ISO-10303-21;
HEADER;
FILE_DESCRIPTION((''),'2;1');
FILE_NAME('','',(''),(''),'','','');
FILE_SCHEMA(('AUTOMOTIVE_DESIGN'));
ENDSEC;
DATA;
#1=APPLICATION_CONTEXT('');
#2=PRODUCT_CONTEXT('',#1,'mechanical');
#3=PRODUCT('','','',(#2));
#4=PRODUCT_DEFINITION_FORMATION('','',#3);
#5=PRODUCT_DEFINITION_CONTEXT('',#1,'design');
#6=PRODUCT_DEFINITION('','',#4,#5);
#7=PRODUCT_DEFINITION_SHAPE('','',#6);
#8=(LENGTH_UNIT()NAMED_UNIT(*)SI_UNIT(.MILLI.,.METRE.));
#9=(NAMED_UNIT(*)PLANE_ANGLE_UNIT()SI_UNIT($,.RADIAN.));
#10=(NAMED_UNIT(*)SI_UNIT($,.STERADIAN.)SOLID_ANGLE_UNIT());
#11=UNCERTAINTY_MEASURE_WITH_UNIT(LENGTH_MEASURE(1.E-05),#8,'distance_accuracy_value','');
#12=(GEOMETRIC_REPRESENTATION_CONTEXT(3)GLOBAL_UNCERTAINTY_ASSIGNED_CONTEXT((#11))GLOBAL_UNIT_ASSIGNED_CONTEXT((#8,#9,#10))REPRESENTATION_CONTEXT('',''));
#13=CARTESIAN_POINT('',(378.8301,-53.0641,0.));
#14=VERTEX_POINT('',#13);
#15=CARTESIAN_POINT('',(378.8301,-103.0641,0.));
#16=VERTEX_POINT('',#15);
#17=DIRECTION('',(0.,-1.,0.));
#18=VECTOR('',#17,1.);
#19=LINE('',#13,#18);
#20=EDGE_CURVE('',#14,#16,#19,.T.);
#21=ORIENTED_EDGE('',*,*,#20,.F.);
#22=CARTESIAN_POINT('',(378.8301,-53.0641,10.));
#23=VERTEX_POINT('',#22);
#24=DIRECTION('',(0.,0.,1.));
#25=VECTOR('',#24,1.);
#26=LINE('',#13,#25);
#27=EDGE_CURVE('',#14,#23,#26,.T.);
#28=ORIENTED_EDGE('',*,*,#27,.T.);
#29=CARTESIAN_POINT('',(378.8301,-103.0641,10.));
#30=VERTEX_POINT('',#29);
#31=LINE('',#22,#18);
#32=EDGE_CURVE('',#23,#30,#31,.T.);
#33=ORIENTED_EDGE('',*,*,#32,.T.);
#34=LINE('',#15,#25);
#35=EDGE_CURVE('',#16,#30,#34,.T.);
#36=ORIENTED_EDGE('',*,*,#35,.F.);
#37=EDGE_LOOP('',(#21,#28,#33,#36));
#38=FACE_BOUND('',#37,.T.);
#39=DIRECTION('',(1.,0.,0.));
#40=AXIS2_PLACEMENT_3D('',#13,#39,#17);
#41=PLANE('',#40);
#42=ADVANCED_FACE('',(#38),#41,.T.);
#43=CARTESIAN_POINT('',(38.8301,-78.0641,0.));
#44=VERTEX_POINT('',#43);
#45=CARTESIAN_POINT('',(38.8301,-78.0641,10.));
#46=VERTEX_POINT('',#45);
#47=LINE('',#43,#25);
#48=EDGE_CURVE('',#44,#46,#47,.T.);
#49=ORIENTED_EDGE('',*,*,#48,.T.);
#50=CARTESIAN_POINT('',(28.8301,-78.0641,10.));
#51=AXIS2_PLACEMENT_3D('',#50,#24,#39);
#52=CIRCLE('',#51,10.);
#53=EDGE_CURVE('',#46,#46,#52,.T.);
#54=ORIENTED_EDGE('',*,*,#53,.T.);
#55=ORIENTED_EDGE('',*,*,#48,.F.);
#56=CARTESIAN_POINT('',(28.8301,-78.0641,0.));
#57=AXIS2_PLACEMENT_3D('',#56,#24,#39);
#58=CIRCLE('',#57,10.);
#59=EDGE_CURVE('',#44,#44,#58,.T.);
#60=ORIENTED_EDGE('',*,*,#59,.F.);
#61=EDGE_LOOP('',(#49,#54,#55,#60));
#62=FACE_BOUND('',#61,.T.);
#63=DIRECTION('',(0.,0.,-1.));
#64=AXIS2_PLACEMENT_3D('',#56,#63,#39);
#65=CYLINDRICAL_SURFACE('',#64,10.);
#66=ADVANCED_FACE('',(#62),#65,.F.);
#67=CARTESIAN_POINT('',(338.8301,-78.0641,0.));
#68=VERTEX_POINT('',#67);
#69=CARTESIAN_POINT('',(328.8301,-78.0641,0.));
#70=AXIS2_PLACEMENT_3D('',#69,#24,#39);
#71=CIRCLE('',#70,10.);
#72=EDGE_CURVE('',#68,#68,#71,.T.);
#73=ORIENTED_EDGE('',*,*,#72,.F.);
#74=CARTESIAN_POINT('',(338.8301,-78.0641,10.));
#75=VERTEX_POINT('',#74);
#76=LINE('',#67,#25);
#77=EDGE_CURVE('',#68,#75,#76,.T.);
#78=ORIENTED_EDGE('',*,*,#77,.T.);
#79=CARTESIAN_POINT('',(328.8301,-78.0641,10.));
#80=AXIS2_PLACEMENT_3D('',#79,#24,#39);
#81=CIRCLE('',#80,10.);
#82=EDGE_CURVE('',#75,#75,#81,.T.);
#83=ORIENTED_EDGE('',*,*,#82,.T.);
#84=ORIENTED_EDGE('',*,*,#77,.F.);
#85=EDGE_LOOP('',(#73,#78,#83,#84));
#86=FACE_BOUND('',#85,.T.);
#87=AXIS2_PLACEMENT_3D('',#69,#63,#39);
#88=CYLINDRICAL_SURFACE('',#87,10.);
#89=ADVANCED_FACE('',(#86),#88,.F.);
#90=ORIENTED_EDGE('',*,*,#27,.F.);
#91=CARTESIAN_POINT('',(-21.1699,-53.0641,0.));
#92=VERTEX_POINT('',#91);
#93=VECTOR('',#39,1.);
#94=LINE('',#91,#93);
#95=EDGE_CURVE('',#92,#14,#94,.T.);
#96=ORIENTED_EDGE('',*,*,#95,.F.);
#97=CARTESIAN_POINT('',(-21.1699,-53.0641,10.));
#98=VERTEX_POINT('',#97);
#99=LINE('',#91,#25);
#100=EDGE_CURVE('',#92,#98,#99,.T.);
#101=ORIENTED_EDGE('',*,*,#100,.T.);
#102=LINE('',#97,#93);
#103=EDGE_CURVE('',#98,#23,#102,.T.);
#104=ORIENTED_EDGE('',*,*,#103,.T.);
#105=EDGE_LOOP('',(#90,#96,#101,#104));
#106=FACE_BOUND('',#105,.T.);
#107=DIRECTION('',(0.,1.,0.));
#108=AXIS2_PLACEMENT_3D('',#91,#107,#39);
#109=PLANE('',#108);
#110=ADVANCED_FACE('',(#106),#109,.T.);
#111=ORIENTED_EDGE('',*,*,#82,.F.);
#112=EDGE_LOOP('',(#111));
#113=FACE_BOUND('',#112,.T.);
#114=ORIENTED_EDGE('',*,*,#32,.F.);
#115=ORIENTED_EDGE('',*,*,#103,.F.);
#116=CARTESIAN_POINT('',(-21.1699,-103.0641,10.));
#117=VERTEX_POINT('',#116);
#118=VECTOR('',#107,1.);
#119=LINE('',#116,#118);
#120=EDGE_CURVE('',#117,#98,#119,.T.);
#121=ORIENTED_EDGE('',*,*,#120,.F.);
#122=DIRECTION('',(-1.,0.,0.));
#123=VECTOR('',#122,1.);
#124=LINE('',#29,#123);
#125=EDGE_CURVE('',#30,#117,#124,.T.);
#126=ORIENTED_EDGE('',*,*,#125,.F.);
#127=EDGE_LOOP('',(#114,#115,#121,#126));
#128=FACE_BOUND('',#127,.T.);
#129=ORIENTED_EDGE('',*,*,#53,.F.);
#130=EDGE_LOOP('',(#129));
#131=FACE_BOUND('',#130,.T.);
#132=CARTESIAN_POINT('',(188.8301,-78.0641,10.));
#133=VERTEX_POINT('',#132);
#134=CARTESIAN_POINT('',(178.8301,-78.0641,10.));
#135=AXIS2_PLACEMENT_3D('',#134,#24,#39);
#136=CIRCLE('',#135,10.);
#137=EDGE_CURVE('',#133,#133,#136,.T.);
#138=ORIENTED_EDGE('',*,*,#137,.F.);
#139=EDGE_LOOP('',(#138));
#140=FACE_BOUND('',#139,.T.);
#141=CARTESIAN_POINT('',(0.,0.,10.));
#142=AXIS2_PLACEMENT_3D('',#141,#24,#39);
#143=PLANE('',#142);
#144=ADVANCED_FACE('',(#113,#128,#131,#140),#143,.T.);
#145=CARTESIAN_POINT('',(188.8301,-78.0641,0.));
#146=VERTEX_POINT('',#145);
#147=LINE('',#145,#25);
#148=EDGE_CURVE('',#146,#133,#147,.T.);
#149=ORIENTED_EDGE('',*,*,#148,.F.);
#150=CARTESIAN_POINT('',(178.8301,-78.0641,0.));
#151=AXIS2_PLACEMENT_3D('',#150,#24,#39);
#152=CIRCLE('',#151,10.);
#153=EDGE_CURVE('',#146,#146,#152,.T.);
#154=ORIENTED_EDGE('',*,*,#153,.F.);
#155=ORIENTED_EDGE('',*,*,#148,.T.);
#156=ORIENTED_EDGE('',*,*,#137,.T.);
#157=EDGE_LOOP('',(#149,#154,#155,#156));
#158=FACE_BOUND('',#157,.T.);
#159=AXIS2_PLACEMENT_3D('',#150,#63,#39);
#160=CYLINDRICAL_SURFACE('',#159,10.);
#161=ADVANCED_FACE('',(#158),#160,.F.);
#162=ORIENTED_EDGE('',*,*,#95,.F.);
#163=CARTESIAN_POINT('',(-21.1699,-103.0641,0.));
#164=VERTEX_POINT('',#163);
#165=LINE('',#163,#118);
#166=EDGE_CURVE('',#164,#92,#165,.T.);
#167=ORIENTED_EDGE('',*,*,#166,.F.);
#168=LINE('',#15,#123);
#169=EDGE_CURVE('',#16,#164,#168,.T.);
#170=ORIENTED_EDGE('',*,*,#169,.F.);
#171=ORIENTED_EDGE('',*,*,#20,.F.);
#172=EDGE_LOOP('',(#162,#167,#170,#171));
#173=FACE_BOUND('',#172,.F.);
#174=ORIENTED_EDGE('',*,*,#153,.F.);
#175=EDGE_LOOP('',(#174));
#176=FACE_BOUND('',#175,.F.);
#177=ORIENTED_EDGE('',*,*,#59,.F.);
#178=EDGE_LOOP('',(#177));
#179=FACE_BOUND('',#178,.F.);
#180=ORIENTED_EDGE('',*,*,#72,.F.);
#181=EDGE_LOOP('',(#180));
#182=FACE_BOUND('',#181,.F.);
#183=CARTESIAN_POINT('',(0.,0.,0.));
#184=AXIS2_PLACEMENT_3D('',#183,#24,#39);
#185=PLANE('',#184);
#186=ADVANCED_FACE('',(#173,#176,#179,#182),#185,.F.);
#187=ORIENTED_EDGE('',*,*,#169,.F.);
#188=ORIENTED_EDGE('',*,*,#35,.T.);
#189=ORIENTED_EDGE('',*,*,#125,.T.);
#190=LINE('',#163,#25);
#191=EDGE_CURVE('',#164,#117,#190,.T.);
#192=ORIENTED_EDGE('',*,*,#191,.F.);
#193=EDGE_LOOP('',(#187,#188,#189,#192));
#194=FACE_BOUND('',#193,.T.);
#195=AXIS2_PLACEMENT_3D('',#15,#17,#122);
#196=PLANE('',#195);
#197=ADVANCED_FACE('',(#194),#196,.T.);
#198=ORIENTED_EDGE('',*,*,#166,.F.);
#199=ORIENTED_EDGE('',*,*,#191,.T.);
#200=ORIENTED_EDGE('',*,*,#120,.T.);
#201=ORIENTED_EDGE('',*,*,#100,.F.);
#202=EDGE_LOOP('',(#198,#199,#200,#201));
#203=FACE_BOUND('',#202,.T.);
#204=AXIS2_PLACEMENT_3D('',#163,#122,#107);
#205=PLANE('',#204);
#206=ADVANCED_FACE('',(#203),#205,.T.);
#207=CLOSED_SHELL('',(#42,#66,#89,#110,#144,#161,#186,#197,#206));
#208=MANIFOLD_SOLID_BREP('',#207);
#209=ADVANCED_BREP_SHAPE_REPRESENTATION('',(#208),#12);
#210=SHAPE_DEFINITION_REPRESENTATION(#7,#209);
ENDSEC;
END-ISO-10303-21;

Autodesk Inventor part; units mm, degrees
ref_plane "YZ Plane" through (0, 0, 0) normal (1, 0, 0) x (0, 1, 0)
ref_plane "XZ Plane" through (0, 0, 0) normal (0, 1, 0) x (-1, 0, 0)
ref_plane "XY Plane" through (0, 0, 0) normal (0, 0, 1) x (1, 0, 0)
sketch "Skizze1" plane through (0, 0, 0) normal (0, 0, 1) x (1, 0, 0)
  line L0 (-21.1699, -53.0641) -> (378.8301, -53.0641)
  line L1 (378.8301, -53.0641) -> (378.8301, -103.0641)
  line L2 (378.8301, -103.0641) -> (-21.1699, -103.0641)
  line L3 (-21.1699, -103.0641) -> (-21.1699, -53.0641)
  circle A0 centre (28.8301, -78.0641) radius 10
  circle A1 centre (178.8301, -78.0641) radius 10
  circle A2 centre (328.8301, -78.0641) radius 10
  point P0 (0, 0)
  dimension "d0" = 400
  dimension "d1" = 50
  dimension "d2" = 20
  dimension "d3" = 20
  dimension "d4" = 20
  dimension "d5" = 25
  dimension "d6" = 25
  dimension "d7" = 25
  dimension "d8" = 200
  dimension "d9" = 150
  dimension "d10" = 150
extrude "Extrusion1" add sketch "Skizze1" along normal blind 10
properties part number "FahenVerbindung_maybe"
